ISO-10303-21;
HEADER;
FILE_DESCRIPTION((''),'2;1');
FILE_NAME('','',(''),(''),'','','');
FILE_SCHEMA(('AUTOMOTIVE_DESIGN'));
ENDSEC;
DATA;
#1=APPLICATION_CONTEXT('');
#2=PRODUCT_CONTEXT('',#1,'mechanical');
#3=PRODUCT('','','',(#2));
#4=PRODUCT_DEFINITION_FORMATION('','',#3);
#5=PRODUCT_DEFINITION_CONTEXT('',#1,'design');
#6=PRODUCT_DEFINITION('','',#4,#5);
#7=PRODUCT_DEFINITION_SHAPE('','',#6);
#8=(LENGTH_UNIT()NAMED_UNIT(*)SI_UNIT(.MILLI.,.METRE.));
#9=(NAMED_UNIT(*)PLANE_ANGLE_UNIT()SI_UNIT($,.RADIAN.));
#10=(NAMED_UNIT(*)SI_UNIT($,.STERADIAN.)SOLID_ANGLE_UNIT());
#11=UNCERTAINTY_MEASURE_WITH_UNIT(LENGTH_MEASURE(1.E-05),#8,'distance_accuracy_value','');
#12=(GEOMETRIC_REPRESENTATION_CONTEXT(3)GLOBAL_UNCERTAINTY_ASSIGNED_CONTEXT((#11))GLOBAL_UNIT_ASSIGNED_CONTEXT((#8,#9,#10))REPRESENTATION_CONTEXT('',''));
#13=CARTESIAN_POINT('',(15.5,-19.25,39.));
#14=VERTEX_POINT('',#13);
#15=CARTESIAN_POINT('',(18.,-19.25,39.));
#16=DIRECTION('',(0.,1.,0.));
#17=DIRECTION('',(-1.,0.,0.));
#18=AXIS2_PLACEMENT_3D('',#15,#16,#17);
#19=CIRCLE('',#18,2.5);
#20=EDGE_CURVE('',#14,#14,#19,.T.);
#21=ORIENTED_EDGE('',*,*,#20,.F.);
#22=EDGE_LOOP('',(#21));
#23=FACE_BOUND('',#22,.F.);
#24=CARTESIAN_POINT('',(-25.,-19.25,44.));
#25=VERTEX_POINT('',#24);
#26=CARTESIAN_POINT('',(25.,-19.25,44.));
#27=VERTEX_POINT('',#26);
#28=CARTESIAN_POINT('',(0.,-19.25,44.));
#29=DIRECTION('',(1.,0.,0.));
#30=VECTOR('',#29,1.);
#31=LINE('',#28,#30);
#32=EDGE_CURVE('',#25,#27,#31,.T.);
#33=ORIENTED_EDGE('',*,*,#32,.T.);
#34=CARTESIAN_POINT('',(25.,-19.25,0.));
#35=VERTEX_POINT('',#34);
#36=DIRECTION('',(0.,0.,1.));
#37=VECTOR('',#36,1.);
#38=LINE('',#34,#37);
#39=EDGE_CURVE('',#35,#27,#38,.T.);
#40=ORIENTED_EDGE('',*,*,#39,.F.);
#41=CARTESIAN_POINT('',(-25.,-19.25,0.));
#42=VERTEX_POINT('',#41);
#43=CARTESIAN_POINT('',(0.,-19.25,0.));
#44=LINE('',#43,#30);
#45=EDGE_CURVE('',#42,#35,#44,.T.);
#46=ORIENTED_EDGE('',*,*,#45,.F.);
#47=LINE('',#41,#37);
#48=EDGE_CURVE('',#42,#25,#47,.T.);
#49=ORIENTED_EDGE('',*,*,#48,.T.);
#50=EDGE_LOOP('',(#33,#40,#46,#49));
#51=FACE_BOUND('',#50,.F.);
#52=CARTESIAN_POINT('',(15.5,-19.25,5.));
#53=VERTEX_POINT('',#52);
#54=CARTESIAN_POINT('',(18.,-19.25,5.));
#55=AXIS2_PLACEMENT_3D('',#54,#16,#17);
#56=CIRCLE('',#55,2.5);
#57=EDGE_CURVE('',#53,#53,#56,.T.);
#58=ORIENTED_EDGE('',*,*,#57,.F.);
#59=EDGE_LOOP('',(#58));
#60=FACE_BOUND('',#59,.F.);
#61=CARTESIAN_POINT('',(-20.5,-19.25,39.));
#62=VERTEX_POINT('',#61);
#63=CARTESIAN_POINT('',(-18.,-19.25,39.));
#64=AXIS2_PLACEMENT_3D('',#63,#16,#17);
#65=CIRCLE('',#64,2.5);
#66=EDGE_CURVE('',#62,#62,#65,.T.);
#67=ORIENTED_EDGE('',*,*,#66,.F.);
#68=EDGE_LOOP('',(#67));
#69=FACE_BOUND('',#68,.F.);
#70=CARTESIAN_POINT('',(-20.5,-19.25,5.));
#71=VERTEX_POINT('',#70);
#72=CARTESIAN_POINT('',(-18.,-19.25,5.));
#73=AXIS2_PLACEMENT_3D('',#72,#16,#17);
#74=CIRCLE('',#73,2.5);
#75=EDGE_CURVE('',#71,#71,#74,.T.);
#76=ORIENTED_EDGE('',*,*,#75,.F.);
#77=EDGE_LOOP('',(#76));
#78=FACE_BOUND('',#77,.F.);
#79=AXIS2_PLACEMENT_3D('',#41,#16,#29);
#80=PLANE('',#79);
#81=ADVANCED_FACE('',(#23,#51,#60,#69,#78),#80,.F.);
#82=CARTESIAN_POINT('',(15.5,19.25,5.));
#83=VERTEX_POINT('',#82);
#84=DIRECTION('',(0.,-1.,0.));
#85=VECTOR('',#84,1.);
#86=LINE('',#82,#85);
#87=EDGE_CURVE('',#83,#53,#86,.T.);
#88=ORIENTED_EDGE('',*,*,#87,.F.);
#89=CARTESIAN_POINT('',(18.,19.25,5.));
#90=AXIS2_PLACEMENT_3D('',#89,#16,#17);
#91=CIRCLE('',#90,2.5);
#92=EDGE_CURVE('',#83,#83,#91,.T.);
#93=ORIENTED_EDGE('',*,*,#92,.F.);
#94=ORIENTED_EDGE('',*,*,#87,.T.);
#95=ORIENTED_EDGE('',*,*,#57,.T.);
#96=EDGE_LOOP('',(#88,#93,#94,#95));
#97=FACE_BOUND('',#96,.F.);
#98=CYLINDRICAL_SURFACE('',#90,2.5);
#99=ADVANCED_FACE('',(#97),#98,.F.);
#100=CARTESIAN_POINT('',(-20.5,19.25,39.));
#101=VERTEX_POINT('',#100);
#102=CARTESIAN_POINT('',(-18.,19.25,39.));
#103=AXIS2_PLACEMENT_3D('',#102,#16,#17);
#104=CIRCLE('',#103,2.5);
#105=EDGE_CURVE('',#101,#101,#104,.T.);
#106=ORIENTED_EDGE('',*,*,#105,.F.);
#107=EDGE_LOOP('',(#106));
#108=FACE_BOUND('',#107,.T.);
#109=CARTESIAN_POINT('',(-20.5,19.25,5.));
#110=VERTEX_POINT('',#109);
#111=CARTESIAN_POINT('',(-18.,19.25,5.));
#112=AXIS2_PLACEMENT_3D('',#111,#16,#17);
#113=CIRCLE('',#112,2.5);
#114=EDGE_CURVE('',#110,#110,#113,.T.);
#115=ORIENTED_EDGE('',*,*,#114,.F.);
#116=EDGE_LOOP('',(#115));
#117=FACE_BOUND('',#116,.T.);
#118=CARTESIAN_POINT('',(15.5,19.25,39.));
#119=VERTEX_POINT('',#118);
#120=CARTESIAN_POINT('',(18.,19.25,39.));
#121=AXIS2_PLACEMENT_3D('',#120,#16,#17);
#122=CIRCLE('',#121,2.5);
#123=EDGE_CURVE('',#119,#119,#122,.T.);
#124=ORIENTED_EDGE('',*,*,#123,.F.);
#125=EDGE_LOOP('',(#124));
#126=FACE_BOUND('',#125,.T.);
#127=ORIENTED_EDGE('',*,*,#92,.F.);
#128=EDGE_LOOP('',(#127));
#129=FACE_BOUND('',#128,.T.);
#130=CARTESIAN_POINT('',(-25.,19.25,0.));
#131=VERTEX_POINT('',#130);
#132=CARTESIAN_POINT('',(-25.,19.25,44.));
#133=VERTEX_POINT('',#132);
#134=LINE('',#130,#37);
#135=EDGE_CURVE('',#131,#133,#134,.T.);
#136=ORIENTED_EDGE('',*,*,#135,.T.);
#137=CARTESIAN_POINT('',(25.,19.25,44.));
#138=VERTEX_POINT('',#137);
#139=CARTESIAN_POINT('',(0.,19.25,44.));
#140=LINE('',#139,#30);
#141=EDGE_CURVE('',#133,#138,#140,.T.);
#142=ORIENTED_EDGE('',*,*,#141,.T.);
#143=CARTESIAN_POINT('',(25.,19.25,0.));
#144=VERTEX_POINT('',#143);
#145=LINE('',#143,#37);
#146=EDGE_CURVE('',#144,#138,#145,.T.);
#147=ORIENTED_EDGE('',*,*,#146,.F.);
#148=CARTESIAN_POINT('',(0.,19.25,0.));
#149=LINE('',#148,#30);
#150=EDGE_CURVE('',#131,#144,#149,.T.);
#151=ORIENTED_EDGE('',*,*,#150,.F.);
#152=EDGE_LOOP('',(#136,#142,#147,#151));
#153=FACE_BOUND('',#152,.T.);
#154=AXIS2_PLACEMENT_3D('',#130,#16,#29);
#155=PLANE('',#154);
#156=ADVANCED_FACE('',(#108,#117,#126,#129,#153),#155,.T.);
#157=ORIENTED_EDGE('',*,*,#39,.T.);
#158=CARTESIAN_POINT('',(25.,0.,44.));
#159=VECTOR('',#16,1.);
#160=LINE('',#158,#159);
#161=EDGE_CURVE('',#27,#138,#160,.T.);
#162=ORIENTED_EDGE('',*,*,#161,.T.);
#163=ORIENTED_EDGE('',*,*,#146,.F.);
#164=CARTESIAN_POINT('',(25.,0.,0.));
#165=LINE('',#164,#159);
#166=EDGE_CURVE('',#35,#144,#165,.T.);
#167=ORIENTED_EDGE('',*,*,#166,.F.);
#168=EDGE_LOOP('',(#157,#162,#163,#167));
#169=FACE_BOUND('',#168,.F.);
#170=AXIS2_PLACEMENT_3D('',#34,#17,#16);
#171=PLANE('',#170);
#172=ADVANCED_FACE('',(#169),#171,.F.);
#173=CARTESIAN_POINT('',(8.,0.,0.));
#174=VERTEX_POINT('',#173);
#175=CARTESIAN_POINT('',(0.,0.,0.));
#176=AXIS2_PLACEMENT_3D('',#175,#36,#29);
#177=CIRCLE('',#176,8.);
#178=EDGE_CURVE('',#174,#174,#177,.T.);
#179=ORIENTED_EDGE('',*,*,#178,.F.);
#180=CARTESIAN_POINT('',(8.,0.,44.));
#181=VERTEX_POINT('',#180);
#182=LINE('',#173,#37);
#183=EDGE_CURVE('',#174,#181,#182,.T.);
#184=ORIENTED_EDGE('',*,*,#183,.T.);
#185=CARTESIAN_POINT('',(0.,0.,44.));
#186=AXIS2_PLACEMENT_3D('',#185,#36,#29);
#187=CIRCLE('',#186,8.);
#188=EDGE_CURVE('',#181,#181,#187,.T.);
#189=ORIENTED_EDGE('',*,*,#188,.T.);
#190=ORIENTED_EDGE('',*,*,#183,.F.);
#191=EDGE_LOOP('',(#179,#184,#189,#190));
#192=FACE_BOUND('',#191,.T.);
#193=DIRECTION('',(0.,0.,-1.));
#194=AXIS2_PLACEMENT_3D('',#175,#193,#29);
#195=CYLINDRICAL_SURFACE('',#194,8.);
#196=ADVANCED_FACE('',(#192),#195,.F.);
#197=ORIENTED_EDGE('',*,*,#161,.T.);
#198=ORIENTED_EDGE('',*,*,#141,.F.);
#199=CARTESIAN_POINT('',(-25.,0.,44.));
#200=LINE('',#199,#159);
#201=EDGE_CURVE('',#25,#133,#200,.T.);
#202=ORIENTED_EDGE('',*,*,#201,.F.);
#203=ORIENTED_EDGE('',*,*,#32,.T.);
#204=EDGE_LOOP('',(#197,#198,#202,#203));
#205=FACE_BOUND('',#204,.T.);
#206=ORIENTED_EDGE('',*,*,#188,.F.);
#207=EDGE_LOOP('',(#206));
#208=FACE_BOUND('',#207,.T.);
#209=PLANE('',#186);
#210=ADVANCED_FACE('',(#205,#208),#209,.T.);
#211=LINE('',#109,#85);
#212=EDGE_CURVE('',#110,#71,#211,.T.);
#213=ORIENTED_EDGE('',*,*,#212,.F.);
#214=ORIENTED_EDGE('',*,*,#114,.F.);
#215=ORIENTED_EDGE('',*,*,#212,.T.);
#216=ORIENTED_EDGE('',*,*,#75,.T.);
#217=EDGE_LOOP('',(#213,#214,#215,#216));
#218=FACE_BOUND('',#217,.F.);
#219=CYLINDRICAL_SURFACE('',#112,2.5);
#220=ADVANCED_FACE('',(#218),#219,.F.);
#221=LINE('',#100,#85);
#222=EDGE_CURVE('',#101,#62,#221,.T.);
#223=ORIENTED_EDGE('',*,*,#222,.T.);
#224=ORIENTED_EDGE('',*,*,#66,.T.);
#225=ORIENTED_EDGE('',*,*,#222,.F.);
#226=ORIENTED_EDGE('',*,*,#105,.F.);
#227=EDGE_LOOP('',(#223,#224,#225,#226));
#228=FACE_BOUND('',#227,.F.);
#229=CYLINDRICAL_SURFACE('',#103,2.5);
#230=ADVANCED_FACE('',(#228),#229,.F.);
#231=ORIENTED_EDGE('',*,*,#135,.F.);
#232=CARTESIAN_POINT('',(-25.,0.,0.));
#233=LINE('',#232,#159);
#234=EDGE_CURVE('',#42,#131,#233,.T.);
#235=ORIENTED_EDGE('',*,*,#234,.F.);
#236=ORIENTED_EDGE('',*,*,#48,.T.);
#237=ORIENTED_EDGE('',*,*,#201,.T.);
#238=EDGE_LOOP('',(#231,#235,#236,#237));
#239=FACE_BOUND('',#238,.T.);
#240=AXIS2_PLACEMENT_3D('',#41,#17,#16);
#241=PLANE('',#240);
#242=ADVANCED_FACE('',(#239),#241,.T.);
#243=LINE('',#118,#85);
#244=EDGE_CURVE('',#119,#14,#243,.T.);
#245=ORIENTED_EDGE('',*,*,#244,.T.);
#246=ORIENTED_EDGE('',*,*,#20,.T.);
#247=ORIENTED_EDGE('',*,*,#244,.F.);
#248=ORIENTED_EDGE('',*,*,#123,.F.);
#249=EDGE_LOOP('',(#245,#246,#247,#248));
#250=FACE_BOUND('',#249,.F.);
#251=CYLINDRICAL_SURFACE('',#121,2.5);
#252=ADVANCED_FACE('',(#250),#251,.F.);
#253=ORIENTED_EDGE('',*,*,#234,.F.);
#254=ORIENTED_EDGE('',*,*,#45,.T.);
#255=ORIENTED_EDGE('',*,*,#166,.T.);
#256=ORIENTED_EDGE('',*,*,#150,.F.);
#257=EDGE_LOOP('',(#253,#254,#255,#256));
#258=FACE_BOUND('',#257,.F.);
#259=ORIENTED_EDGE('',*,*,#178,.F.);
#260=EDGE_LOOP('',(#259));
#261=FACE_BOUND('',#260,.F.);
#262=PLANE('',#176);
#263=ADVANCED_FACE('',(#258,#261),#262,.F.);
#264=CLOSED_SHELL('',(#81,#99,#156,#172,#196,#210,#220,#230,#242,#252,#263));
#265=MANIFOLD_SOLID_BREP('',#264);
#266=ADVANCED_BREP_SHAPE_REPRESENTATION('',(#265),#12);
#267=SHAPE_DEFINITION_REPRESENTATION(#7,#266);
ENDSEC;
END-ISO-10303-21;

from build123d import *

# Parameters (mm, degrees)
F0_W     = 50
F0_H     = 38.5
F0_R     = 8
F1_DEPTH = 44
F2_R     = 2.5
F3_DEPTH = 38.5


with BuildPart() as f1:
    # F0 (on Top) → F1 (new body)
    with BuildSketch(Plane.XY):
        Rectangle(F0_W, F0_H)
        Circle(F0_R, mode=Mode.SUBTRACT)
    extrude(amount=F1_DEPTH)

    # F2 (on face) → F3 (cut)
    with BuildSketch(Plane(origin=(0, 19.25, 0), x_dir=(-1, 0, 0), z_dir=(0, 1, 0))):
        with Locations((18, 39)):
            Circle(F2_R)
        with Locations((18, 5)):
            Circle(F2_R)
        with Locations((-18, 39)):
            Circle(F2_R)
        with Locations((-18, 5)):
            Circle(F2_R)
    extrude(amount=-F3_DEPTH, mode=Mode.SUBTRACT)


solid = f1.part
